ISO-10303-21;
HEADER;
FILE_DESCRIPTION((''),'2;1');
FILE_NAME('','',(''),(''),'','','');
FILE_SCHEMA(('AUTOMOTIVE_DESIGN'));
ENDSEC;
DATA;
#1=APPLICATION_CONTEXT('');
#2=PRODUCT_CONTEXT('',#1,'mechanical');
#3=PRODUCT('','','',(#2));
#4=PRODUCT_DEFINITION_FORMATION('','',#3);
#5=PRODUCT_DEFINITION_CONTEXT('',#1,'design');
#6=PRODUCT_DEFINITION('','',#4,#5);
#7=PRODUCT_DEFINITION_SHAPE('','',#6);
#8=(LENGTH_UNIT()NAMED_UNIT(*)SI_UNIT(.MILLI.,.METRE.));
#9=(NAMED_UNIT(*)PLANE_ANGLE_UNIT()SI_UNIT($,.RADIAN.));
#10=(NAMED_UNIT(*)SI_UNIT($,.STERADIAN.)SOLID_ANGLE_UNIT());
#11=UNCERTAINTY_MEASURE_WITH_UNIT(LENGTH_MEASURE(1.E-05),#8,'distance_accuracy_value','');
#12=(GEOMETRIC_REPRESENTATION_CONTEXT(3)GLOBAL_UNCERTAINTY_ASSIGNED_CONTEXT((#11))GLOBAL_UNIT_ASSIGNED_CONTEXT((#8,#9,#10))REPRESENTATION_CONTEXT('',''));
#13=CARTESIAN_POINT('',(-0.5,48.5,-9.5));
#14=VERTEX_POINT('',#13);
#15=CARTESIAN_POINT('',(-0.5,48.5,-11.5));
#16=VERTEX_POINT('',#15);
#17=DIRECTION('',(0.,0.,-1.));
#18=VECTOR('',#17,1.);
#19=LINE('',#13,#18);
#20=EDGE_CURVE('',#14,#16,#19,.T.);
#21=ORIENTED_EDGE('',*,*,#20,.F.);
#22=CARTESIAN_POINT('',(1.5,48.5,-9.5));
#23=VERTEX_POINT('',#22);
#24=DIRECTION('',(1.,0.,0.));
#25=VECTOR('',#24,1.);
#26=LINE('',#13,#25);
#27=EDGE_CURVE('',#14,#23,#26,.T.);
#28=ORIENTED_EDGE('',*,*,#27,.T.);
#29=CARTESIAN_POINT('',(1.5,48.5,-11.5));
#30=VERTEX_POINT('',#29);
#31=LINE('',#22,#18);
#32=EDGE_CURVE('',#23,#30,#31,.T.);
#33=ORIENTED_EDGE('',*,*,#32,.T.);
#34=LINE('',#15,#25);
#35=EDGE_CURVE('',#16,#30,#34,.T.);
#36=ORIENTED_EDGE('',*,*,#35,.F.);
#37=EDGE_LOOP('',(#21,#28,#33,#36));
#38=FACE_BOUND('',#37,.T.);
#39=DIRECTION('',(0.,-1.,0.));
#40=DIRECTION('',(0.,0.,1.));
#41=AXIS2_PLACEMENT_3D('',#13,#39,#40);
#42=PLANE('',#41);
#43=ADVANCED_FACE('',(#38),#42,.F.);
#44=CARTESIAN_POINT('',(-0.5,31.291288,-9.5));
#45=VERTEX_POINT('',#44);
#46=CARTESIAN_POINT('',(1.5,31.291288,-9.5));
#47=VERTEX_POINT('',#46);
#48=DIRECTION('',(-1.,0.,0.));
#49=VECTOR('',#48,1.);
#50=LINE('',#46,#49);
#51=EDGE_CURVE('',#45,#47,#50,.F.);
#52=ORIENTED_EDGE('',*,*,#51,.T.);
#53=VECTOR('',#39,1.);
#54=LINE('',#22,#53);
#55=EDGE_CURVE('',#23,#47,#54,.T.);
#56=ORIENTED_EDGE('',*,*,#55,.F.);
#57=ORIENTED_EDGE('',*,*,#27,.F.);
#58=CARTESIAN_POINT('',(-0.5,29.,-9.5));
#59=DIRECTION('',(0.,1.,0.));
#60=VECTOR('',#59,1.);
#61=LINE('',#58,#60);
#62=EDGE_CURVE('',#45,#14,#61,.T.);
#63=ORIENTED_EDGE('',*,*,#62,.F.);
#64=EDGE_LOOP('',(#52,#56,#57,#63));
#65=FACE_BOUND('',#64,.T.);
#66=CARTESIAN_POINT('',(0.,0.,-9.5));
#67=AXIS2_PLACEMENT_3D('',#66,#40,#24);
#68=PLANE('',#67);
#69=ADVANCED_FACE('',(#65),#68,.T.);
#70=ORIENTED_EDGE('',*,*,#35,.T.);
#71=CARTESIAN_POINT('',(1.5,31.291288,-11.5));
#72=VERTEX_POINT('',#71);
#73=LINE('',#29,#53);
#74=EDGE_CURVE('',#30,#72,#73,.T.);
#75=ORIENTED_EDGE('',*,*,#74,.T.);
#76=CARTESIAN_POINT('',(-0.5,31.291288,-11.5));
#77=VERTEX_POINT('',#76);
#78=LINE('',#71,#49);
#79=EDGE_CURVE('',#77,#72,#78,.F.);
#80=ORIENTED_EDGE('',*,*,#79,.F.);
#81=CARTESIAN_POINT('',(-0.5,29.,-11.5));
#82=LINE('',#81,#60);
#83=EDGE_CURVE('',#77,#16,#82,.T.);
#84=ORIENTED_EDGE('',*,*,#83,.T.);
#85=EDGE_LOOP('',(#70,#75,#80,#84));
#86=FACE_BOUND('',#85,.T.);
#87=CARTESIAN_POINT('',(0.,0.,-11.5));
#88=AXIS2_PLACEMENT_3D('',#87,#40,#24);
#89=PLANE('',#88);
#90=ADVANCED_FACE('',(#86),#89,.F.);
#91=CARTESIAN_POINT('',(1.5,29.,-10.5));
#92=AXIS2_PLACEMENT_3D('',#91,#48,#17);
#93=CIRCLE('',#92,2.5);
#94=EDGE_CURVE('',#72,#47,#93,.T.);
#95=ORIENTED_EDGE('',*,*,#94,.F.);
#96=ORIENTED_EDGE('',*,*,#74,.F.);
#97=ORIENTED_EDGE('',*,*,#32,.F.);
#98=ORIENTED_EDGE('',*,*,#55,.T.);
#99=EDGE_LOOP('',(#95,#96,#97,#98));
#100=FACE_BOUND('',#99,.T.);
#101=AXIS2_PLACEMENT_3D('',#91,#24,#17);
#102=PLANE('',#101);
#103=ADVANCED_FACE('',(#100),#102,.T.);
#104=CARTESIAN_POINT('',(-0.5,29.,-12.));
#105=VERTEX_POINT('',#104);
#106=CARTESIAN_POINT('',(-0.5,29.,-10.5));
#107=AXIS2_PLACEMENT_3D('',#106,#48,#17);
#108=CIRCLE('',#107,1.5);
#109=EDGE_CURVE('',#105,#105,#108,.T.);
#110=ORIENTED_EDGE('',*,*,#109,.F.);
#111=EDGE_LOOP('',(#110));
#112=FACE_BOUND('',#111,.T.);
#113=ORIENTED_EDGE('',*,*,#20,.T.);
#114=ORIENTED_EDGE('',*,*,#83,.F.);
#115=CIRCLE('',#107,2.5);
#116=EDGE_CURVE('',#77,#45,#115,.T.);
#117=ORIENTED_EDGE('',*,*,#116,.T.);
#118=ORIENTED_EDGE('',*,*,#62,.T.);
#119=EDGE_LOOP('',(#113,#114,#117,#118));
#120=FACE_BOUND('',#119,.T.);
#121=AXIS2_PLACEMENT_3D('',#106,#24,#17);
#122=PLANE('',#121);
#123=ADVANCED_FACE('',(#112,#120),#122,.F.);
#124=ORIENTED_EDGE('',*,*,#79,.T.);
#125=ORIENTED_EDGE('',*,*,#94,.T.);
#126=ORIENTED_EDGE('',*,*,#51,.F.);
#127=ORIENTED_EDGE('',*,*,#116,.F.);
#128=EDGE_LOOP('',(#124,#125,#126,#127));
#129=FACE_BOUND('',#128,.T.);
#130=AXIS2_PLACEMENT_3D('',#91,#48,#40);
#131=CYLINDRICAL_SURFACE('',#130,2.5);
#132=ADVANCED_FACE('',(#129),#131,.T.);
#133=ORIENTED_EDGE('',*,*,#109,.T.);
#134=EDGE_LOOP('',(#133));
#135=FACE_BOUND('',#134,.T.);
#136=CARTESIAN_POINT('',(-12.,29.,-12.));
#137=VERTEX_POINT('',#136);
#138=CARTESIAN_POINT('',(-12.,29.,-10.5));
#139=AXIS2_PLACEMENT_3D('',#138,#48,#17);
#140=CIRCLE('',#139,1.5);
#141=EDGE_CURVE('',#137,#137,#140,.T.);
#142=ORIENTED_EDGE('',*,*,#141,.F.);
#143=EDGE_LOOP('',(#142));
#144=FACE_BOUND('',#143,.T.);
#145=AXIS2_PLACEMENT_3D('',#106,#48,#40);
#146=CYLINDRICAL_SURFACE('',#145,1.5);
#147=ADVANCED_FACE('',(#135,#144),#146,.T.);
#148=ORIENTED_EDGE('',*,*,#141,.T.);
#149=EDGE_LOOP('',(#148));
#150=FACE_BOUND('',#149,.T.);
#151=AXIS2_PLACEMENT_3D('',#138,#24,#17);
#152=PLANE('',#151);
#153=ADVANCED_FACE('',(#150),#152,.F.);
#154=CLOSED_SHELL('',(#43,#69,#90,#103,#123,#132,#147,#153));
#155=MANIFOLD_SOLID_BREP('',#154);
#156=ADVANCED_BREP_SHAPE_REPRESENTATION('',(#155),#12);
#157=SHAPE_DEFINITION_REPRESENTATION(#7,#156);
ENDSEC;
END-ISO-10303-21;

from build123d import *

# Parameters (mm, degrees)
SERVICE_PIN_SHANK_SKETCH_R = 1.5
SERVICE_PIN_SHANK_DEPTH    = 11.5
SERVICE_PIN_HEAD_SKETCH_R  = 2.5
SERVICE_PIN_HEAD_DEPTH     = 2
LOCK_SWITCH_FLAG_SKETCH_W  = 2
LOCK_SWITCH_FLAG_SKETCH_H  = 19.5
LOCK_SWITCH_FLAG_DEPTH     = 2


with BuildPart() as part:
    # Service pin shank sketch → Service pin shank (new body)
    with BuildSketch(Plane(origin=(-12, 0, 0), x_dir=(0, 0, -1), z_dir=(1, 0, 0))):
        with Locations((10.5, -29)):
            Circle(SERVICE_PIN_SHANK_SKETCH_R)
    extrude(amount=SERVICE_PIN_SHANK_DEPTH)

    # Service pin head sketch → Service pin head (add)
    with BuildSketch(Plane(origin=(-0.5, 0, 0), x_dir=(0, 0, -1), z_dir=(1, 0, 0))):
        with Locations((10.5, -29)):
            Circle(SERVICE_PIN_HEAD_SKETCH_R)
    extrude(amount=SERVICE_PIN_HEAD_DEPTH)

    # Lock switch flag sketch → Lock switch flag (add)
    with BuildSketch(Plane.XY.offset(-11.5)):
        with Locations((0.5, -38.75)):
            Rectangle(LOCK_SWITCH_FLAG_SKETCH_W, LOCK_SWITCH_FLAG_SKETCH_H)
    extrude(amount=LOCK_SWITCH_FLAG_DEPTH)


with BuildPart() as body_2:
    # Mirror1: mirrored copy
    add(part.part.mirror(Plane(origin=(0, 0, 0), x_dir=(0, 0, 1), z_dir=(0, -1, 0))))


solid = body_2.part
